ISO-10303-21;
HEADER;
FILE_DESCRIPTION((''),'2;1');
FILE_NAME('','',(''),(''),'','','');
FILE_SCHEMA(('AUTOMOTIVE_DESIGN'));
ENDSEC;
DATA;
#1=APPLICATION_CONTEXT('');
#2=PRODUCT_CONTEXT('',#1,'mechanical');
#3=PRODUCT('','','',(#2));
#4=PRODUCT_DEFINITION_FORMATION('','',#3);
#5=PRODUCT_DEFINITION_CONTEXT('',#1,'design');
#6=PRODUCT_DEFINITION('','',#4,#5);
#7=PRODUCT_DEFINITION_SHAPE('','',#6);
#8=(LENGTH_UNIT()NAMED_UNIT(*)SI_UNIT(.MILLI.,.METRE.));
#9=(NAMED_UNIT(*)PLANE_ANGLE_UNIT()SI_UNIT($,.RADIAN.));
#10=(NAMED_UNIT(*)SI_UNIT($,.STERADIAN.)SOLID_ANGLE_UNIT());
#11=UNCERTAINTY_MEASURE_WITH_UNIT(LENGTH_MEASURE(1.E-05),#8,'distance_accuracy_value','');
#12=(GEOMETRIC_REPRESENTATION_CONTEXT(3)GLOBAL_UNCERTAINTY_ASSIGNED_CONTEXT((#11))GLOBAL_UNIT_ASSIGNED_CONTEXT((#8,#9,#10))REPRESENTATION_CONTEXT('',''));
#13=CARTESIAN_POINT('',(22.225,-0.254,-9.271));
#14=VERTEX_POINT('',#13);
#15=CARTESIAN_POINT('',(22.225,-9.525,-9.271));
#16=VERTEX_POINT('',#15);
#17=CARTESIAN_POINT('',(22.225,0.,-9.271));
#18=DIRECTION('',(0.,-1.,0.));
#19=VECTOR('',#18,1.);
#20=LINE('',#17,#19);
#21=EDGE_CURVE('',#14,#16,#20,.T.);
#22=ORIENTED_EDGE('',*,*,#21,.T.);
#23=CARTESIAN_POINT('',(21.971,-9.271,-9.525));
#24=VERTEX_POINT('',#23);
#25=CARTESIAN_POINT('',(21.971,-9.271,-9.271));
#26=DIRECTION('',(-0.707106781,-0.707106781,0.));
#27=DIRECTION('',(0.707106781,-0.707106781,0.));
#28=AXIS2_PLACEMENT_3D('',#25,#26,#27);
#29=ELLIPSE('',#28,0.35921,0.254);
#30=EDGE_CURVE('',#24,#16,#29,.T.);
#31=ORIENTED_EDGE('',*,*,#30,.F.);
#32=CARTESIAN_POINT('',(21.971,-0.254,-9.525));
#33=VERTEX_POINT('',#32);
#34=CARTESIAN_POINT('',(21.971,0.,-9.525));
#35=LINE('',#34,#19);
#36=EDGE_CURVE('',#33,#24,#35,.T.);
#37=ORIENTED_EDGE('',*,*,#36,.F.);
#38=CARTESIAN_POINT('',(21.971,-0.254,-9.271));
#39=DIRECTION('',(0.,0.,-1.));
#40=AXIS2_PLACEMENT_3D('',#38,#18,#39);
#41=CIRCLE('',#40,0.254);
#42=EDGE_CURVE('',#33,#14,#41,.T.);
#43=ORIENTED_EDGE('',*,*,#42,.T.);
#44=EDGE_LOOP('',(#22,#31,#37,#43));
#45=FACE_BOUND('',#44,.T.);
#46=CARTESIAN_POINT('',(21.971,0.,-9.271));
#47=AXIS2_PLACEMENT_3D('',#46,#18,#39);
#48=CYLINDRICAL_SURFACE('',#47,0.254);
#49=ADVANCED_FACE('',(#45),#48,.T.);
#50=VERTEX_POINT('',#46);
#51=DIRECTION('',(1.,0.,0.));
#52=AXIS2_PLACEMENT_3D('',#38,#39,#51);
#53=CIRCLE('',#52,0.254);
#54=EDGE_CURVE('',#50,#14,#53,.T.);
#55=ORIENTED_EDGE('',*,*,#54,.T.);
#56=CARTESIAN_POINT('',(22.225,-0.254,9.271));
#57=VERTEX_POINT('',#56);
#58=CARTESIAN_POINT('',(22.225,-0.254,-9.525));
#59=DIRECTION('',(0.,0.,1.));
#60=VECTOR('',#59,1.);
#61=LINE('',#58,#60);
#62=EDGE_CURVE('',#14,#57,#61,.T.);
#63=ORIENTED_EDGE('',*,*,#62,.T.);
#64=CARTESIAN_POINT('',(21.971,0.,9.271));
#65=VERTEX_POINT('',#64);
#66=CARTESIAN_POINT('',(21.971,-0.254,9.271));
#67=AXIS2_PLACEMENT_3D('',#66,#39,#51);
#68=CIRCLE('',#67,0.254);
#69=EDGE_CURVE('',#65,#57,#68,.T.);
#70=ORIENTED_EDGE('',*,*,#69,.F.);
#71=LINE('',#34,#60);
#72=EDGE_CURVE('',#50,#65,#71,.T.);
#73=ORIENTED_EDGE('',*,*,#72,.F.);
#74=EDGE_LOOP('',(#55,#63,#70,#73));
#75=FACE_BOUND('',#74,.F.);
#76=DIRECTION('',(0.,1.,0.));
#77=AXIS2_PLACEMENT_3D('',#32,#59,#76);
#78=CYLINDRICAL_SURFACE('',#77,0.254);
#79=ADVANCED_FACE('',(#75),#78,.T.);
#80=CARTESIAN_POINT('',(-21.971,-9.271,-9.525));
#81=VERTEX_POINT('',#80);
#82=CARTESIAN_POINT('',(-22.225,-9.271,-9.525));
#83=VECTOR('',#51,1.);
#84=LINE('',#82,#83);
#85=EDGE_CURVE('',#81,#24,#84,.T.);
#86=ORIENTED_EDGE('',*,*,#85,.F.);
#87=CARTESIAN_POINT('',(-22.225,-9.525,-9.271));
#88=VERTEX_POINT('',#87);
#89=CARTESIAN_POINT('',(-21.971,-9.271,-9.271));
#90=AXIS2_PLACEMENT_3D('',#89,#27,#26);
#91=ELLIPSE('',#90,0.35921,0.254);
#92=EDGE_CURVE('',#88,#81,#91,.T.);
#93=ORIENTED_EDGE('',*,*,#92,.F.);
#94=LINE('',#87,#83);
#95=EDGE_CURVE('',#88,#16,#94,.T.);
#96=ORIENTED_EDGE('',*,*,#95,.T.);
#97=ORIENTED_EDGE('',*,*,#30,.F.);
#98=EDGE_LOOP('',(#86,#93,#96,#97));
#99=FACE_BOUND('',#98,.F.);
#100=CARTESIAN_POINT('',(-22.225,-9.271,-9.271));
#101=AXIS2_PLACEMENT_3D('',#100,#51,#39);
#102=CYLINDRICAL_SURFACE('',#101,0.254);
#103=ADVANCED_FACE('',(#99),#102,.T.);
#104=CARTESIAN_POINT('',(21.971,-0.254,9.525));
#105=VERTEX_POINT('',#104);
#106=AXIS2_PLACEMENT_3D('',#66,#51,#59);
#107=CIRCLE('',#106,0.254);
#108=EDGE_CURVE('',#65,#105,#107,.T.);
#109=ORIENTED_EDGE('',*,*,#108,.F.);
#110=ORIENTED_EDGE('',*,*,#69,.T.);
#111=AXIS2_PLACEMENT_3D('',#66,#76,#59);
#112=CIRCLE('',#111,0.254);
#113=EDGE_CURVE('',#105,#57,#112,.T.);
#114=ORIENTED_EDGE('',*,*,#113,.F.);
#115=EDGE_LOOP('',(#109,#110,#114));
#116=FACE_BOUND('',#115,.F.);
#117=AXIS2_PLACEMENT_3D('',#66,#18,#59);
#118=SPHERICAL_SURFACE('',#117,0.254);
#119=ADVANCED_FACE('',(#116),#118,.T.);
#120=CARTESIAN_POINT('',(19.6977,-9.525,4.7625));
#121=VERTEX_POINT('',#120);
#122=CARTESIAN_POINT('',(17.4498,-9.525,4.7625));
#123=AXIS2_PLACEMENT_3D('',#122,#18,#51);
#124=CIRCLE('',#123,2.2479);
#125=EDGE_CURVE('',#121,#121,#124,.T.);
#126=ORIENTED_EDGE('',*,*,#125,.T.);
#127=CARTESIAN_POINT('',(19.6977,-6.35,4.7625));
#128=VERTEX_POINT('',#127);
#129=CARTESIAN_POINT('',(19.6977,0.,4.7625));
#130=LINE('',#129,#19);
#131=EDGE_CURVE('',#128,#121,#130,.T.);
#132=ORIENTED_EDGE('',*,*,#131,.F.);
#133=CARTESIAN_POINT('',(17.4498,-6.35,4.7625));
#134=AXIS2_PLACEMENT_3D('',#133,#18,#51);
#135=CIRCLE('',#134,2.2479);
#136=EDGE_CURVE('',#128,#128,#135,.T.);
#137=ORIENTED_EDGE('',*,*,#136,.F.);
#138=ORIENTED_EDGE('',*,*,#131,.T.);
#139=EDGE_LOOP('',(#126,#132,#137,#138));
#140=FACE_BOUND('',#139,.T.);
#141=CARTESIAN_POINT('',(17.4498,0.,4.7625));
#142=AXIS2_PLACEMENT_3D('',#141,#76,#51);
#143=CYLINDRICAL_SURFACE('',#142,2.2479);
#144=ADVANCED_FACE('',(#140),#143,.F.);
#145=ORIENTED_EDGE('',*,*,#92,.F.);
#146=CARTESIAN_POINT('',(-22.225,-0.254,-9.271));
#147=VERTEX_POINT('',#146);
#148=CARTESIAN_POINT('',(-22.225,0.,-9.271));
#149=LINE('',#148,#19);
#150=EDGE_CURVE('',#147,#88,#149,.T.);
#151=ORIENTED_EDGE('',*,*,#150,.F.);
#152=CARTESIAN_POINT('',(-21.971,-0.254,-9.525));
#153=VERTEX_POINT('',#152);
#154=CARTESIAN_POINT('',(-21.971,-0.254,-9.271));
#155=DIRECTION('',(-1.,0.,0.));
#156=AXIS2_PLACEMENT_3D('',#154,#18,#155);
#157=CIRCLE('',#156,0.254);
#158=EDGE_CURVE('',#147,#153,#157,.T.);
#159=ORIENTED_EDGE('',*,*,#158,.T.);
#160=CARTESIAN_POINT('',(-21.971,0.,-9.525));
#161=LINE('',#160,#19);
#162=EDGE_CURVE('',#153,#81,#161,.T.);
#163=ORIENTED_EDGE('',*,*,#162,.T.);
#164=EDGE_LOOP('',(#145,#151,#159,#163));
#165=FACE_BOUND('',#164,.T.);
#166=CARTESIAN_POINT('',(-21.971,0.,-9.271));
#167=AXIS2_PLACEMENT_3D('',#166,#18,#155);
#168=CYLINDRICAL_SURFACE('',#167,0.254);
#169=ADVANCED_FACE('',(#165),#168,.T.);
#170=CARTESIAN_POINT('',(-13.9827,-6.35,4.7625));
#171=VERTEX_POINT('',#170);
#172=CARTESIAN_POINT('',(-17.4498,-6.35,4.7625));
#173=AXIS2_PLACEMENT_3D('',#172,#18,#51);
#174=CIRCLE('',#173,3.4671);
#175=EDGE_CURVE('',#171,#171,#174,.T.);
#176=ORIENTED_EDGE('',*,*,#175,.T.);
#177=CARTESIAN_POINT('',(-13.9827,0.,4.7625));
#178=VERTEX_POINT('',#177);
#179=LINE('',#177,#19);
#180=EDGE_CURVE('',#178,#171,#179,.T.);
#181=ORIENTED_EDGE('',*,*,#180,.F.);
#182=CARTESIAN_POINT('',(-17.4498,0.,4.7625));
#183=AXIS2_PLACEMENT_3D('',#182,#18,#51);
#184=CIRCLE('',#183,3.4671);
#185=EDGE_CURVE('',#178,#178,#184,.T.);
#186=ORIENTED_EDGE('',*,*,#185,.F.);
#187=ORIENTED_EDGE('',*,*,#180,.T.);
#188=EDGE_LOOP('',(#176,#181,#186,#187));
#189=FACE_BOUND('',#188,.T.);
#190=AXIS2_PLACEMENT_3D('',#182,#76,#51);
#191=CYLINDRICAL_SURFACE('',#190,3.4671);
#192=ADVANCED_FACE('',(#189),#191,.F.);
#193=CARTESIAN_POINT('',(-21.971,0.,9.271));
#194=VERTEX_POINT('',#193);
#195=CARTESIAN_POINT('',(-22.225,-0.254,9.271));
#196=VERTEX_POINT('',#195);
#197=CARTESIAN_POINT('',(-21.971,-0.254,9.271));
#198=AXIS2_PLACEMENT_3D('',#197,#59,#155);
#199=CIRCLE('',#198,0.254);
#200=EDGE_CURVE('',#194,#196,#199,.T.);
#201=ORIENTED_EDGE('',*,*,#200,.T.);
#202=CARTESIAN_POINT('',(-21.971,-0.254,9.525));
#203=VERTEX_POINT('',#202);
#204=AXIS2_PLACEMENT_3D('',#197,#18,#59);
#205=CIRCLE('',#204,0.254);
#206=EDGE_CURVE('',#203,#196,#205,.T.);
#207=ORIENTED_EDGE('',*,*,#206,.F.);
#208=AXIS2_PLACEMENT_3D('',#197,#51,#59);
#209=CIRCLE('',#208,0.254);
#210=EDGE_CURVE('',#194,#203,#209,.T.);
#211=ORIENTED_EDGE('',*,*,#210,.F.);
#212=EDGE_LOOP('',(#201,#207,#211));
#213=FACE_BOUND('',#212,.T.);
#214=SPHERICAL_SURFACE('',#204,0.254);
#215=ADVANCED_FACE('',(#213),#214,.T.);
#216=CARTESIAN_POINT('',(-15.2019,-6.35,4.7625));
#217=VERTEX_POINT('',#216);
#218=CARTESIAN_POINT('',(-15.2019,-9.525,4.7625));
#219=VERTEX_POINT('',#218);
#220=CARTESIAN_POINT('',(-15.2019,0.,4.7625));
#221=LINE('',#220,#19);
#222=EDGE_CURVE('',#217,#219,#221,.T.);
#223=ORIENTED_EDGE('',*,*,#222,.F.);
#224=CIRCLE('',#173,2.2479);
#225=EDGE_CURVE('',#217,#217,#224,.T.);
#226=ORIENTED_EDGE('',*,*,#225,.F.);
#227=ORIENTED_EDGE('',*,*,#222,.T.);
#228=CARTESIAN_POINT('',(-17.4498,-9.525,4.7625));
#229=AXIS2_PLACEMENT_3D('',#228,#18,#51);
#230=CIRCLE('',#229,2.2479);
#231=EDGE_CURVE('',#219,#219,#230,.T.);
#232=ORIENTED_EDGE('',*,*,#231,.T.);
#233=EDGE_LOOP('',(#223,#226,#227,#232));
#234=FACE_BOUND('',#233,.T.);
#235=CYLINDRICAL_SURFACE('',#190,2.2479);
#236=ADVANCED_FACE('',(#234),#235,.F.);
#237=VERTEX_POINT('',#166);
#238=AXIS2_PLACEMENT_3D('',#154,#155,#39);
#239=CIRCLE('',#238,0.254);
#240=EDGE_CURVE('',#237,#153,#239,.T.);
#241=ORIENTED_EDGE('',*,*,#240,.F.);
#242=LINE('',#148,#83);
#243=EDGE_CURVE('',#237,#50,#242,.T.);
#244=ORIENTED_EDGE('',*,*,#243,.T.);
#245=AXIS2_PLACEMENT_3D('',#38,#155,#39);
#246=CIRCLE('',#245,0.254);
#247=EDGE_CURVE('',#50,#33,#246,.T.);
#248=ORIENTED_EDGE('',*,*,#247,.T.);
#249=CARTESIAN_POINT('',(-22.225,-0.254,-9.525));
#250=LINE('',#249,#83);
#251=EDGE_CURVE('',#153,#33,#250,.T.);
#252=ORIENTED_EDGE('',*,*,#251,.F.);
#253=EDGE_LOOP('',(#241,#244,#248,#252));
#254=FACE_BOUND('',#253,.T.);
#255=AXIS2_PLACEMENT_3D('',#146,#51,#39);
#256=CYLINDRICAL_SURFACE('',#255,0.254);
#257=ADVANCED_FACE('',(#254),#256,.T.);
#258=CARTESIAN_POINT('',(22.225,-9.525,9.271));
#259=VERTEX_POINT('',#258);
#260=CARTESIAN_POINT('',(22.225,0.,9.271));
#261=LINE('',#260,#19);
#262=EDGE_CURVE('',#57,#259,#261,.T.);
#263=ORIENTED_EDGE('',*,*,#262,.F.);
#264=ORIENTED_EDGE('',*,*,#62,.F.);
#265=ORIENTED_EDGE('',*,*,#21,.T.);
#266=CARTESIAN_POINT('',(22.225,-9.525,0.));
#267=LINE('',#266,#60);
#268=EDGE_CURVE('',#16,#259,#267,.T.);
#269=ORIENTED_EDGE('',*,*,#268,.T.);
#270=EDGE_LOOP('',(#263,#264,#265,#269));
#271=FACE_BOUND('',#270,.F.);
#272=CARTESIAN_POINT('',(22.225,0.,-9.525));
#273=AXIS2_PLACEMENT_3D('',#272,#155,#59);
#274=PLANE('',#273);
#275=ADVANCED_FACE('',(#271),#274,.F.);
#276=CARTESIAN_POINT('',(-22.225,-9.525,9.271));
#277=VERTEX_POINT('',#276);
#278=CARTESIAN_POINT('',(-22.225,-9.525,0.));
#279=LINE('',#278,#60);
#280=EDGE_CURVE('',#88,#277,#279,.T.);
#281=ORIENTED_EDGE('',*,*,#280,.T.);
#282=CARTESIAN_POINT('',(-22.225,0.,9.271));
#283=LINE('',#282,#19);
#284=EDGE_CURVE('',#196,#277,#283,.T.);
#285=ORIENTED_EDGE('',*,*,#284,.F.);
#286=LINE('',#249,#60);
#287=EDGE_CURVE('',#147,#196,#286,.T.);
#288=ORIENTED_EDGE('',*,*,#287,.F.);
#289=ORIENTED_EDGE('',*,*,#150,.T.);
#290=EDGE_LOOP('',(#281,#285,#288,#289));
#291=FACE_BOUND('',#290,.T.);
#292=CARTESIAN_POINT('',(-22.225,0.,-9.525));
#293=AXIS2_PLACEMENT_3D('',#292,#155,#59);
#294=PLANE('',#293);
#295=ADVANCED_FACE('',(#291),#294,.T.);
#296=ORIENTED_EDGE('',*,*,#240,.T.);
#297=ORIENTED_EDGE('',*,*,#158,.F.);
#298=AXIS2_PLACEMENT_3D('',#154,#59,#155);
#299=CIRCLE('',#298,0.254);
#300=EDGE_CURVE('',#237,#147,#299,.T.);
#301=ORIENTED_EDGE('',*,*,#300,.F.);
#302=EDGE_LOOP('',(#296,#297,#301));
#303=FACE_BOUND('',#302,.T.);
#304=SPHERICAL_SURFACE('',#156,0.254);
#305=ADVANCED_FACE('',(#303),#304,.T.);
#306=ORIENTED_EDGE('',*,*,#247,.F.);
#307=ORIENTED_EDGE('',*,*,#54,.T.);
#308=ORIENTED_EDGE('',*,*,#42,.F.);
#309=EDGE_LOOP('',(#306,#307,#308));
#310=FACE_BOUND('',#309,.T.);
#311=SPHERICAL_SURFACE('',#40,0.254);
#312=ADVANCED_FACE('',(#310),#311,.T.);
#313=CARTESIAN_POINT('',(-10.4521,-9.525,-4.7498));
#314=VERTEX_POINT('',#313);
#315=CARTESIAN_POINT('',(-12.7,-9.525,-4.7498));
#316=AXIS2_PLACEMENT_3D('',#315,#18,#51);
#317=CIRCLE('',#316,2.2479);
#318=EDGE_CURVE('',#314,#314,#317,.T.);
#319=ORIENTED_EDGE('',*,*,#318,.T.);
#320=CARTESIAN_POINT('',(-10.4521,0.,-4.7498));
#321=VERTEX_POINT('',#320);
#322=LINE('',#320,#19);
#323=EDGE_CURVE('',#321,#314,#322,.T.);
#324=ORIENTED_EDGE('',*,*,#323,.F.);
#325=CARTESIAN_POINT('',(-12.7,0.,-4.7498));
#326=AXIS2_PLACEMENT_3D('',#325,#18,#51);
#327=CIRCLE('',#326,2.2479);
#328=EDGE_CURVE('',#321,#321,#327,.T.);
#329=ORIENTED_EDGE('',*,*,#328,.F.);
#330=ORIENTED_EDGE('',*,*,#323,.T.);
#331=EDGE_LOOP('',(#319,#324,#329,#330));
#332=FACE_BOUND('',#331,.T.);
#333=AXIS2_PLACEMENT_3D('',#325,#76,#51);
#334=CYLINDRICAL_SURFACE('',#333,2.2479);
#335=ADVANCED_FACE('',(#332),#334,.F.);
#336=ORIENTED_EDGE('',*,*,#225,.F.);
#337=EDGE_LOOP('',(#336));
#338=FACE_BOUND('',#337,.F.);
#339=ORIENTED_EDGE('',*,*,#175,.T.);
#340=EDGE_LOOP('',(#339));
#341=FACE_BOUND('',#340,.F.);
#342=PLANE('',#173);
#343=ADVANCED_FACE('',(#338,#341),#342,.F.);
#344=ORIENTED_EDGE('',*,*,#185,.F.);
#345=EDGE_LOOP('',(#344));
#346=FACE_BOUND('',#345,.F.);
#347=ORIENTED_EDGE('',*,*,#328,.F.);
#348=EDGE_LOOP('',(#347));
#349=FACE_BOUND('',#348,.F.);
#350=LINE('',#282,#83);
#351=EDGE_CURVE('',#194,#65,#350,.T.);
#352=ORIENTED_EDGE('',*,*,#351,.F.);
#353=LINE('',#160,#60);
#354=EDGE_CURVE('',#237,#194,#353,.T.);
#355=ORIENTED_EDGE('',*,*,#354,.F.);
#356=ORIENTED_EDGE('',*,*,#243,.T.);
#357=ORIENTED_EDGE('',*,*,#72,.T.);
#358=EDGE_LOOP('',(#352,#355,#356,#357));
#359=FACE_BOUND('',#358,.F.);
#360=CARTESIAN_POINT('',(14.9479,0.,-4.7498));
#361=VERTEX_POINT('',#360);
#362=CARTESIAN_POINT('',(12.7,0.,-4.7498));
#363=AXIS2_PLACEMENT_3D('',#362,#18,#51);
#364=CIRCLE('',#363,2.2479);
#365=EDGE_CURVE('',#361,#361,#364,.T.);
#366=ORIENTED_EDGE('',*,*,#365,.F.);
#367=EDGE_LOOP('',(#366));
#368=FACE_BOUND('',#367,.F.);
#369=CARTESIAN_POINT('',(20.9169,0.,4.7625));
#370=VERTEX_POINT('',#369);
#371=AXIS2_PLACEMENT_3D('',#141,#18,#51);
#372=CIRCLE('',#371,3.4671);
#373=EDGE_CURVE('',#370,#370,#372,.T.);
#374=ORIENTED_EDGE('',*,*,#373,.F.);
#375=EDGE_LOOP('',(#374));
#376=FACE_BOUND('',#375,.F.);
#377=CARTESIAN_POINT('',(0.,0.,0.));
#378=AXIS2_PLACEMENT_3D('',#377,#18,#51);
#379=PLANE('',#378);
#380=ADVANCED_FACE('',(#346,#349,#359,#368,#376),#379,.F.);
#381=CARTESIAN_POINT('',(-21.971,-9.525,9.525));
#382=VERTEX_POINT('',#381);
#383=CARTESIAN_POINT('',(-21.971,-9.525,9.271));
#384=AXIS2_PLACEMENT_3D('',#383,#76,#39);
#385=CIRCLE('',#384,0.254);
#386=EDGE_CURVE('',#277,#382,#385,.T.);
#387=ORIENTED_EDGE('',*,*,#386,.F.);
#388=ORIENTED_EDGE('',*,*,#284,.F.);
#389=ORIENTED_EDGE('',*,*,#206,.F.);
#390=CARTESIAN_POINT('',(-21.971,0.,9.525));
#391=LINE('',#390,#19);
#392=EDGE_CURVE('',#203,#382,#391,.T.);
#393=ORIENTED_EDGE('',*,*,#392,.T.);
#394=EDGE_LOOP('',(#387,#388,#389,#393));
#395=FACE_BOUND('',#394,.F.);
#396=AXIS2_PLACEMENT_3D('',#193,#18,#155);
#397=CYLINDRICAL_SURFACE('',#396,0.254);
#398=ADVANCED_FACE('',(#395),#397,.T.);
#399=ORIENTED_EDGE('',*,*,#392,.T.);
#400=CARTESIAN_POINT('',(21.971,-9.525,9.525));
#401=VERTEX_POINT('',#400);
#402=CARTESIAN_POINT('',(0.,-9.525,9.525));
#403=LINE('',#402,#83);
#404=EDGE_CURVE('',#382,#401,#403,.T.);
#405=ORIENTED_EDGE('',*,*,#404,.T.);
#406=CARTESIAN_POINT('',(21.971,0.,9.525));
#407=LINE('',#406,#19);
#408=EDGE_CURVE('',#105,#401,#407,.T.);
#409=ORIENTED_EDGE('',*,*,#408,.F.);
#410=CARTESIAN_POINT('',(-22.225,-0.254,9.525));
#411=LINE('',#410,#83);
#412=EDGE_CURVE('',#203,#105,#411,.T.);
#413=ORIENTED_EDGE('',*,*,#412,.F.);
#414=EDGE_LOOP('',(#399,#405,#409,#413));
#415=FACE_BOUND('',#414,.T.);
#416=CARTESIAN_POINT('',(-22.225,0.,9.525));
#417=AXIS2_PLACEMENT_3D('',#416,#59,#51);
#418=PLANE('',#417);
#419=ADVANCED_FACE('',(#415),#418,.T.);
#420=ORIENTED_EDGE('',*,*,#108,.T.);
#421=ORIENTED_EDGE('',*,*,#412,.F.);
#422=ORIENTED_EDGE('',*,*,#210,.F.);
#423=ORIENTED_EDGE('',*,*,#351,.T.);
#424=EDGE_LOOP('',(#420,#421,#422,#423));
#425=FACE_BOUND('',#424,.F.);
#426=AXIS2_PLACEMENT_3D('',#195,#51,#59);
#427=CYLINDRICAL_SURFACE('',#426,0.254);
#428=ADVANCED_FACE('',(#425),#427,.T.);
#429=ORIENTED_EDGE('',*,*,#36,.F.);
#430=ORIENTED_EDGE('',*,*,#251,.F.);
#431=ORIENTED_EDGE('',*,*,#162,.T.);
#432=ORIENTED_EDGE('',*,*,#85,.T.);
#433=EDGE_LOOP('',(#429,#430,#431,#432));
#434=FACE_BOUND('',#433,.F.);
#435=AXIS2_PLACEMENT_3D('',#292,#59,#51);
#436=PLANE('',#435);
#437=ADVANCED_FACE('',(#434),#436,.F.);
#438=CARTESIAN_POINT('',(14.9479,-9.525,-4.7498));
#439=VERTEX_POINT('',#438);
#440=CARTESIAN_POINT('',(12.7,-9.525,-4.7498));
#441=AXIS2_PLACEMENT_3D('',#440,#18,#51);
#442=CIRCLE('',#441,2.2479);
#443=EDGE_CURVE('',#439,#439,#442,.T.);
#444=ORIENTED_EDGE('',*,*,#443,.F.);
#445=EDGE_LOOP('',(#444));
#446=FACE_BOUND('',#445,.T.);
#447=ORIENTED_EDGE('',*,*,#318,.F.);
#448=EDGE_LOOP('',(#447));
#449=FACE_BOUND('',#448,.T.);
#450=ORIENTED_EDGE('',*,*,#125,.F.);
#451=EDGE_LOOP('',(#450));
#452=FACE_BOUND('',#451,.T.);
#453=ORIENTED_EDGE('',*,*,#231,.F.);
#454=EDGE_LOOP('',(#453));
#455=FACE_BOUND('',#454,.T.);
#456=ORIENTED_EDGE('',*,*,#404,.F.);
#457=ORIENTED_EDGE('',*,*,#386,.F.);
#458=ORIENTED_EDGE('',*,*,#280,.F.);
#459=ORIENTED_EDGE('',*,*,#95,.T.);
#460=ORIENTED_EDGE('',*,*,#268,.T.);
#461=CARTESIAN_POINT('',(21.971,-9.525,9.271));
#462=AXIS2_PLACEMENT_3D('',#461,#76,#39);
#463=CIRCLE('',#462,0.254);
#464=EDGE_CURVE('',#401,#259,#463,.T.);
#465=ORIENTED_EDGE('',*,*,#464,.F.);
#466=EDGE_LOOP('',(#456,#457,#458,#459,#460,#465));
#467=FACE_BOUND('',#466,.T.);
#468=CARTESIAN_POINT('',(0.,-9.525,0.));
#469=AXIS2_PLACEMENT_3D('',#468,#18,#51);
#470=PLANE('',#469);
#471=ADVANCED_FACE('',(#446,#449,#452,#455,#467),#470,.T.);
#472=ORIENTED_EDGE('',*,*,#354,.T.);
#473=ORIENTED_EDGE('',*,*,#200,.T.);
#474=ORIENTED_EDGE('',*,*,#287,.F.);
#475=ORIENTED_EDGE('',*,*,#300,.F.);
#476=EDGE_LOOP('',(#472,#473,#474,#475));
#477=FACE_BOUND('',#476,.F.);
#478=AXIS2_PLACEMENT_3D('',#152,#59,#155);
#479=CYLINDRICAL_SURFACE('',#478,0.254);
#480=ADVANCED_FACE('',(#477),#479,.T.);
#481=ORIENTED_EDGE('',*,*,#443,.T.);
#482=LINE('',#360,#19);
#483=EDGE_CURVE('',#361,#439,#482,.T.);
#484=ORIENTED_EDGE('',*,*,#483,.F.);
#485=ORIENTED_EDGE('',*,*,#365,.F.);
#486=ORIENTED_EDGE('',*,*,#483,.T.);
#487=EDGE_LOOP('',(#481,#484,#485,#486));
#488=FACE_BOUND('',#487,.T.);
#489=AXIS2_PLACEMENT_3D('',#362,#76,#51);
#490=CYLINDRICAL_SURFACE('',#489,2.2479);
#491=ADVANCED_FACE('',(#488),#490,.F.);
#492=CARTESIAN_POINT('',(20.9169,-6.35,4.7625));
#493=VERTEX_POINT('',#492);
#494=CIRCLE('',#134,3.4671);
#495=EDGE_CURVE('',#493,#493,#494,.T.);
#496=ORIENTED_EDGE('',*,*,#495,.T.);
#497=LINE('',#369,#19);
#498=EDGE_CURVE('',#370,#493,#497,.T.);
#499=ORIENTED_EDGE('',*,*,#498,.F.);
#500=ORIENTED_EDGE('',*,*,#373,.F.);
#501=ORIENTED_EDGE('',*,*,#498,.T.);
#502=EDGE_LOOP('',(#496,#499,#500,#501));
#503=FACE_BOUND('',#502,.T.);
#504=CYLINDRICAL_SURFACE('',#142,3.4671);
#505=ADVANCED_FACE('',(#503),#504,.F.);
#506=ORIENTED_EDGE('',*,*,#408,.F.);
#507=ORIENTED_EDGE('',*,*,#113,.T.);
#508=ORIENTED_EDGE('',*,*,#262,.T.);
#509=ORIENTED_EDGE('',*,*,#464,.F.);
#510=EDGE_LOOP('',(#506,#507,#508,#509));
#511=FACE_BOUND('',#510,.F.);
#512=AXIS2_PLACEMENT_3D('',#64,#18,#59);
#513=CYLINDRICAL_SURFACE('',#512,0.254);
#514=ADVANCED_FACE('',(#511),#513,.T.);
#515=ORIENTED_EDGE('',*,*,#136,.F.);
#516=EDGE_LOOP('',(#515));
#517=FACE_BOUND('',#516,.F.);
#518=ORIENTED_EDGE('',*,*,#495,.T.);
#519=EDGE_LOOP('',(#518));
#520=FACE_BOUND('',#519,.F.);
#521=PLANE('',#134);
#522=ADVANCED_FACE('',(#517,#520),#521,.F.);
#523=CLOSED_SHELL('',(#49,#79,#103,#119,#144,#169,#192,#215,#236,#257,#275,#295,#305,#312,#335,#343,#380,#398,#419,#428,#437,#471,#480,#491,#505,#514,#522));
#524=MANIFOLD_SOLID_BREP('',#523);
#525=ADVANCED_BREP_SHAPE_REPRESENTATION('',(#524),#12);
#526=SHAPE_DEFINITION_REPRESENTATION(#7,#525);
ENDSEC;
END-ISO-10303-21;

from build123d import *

# Parameters (mm, degrees)
F0_W     = 44.45
F0_H     = 19.05
F0_R     = 2.2479
F0_R_2   = 3.4671
F1_DEPTH = 9.525
F2_DEPTH = 6.35
F3_R     = 0.254


with BuildPart() as f1:
    # F0 (on Front) → F1 (new body)
    with BuildSketch(Plane.XZ):
        Rectangle(F0_W, F0_H)
        with Locations((-12.7, -4.7498)):
            Circle(F0_R, mode=Mode.SUBTRACT)
        with Locations((12.7, -4.7498)):
            Circle(F0_R, mode=Mode.SUBTRACT)
        with Locations((-17.4498, 4.7625)):
            Circle(F0_R_2, mode=Mode.SUBTRACT)
        with Locations((17.4498, 4.7625)):
            Circle(F0_R_2, mode=Mode.SUBTRACT)
        with Locations((17.4498, 4.7625)):
            Circle(F0_R_2)
        with Locations((17.4498, 4.7625)):
            Circle(F0_R, mode=Mode.SUBTRACT)
        with Locations((-17.4498, 4.7625)):
            Circle(F0_R_2)
        with Locations((-17.4498, 4.7625)):
            Circle(F0_R, mode=Mode.SUBTRACT)
    extrude(amount=F1_DEPTH)

    # F0 (on Front) → F2 (cut)
    with BuildSketch(Plane.XZ):
        with Locations((17.4498, 4.7625)):
            Circle(F0_R_2)
        with Locations((17.4498, 4.7625)):
            Circle(F0_R, mode=Mode.SUBTRACT)
        with Locations((-17.4498, 4.7625)):
            Circle(F0_R_2)
        with Locations((-17.4498, 4.7625)):
            Circle(F0_R, mode=Mode.SUBTRACT)
    extrude(amount=F2_DEPTH, mode=Mode.SUBTRACT)

    # F3
    f3_edges = [f1.edges().sort_by_distance(p)[0] for p in [
        (-22.225, -4.7625, 9.525),
        (-22.225, -4.7625, -9.525),
        (22.225, -4.7625, -9.525),
        (22.225, -4.7625, 9.525),
        (0, 0, 9.525),
        (-22.225, 0, 0),
        (0, 0, -9.525),
        (22.225, 0, 0),
        (0, -9.525, -9.525),
    ]]
    fillet(f3_edges, radius=F3_R)


solid = f1.part
